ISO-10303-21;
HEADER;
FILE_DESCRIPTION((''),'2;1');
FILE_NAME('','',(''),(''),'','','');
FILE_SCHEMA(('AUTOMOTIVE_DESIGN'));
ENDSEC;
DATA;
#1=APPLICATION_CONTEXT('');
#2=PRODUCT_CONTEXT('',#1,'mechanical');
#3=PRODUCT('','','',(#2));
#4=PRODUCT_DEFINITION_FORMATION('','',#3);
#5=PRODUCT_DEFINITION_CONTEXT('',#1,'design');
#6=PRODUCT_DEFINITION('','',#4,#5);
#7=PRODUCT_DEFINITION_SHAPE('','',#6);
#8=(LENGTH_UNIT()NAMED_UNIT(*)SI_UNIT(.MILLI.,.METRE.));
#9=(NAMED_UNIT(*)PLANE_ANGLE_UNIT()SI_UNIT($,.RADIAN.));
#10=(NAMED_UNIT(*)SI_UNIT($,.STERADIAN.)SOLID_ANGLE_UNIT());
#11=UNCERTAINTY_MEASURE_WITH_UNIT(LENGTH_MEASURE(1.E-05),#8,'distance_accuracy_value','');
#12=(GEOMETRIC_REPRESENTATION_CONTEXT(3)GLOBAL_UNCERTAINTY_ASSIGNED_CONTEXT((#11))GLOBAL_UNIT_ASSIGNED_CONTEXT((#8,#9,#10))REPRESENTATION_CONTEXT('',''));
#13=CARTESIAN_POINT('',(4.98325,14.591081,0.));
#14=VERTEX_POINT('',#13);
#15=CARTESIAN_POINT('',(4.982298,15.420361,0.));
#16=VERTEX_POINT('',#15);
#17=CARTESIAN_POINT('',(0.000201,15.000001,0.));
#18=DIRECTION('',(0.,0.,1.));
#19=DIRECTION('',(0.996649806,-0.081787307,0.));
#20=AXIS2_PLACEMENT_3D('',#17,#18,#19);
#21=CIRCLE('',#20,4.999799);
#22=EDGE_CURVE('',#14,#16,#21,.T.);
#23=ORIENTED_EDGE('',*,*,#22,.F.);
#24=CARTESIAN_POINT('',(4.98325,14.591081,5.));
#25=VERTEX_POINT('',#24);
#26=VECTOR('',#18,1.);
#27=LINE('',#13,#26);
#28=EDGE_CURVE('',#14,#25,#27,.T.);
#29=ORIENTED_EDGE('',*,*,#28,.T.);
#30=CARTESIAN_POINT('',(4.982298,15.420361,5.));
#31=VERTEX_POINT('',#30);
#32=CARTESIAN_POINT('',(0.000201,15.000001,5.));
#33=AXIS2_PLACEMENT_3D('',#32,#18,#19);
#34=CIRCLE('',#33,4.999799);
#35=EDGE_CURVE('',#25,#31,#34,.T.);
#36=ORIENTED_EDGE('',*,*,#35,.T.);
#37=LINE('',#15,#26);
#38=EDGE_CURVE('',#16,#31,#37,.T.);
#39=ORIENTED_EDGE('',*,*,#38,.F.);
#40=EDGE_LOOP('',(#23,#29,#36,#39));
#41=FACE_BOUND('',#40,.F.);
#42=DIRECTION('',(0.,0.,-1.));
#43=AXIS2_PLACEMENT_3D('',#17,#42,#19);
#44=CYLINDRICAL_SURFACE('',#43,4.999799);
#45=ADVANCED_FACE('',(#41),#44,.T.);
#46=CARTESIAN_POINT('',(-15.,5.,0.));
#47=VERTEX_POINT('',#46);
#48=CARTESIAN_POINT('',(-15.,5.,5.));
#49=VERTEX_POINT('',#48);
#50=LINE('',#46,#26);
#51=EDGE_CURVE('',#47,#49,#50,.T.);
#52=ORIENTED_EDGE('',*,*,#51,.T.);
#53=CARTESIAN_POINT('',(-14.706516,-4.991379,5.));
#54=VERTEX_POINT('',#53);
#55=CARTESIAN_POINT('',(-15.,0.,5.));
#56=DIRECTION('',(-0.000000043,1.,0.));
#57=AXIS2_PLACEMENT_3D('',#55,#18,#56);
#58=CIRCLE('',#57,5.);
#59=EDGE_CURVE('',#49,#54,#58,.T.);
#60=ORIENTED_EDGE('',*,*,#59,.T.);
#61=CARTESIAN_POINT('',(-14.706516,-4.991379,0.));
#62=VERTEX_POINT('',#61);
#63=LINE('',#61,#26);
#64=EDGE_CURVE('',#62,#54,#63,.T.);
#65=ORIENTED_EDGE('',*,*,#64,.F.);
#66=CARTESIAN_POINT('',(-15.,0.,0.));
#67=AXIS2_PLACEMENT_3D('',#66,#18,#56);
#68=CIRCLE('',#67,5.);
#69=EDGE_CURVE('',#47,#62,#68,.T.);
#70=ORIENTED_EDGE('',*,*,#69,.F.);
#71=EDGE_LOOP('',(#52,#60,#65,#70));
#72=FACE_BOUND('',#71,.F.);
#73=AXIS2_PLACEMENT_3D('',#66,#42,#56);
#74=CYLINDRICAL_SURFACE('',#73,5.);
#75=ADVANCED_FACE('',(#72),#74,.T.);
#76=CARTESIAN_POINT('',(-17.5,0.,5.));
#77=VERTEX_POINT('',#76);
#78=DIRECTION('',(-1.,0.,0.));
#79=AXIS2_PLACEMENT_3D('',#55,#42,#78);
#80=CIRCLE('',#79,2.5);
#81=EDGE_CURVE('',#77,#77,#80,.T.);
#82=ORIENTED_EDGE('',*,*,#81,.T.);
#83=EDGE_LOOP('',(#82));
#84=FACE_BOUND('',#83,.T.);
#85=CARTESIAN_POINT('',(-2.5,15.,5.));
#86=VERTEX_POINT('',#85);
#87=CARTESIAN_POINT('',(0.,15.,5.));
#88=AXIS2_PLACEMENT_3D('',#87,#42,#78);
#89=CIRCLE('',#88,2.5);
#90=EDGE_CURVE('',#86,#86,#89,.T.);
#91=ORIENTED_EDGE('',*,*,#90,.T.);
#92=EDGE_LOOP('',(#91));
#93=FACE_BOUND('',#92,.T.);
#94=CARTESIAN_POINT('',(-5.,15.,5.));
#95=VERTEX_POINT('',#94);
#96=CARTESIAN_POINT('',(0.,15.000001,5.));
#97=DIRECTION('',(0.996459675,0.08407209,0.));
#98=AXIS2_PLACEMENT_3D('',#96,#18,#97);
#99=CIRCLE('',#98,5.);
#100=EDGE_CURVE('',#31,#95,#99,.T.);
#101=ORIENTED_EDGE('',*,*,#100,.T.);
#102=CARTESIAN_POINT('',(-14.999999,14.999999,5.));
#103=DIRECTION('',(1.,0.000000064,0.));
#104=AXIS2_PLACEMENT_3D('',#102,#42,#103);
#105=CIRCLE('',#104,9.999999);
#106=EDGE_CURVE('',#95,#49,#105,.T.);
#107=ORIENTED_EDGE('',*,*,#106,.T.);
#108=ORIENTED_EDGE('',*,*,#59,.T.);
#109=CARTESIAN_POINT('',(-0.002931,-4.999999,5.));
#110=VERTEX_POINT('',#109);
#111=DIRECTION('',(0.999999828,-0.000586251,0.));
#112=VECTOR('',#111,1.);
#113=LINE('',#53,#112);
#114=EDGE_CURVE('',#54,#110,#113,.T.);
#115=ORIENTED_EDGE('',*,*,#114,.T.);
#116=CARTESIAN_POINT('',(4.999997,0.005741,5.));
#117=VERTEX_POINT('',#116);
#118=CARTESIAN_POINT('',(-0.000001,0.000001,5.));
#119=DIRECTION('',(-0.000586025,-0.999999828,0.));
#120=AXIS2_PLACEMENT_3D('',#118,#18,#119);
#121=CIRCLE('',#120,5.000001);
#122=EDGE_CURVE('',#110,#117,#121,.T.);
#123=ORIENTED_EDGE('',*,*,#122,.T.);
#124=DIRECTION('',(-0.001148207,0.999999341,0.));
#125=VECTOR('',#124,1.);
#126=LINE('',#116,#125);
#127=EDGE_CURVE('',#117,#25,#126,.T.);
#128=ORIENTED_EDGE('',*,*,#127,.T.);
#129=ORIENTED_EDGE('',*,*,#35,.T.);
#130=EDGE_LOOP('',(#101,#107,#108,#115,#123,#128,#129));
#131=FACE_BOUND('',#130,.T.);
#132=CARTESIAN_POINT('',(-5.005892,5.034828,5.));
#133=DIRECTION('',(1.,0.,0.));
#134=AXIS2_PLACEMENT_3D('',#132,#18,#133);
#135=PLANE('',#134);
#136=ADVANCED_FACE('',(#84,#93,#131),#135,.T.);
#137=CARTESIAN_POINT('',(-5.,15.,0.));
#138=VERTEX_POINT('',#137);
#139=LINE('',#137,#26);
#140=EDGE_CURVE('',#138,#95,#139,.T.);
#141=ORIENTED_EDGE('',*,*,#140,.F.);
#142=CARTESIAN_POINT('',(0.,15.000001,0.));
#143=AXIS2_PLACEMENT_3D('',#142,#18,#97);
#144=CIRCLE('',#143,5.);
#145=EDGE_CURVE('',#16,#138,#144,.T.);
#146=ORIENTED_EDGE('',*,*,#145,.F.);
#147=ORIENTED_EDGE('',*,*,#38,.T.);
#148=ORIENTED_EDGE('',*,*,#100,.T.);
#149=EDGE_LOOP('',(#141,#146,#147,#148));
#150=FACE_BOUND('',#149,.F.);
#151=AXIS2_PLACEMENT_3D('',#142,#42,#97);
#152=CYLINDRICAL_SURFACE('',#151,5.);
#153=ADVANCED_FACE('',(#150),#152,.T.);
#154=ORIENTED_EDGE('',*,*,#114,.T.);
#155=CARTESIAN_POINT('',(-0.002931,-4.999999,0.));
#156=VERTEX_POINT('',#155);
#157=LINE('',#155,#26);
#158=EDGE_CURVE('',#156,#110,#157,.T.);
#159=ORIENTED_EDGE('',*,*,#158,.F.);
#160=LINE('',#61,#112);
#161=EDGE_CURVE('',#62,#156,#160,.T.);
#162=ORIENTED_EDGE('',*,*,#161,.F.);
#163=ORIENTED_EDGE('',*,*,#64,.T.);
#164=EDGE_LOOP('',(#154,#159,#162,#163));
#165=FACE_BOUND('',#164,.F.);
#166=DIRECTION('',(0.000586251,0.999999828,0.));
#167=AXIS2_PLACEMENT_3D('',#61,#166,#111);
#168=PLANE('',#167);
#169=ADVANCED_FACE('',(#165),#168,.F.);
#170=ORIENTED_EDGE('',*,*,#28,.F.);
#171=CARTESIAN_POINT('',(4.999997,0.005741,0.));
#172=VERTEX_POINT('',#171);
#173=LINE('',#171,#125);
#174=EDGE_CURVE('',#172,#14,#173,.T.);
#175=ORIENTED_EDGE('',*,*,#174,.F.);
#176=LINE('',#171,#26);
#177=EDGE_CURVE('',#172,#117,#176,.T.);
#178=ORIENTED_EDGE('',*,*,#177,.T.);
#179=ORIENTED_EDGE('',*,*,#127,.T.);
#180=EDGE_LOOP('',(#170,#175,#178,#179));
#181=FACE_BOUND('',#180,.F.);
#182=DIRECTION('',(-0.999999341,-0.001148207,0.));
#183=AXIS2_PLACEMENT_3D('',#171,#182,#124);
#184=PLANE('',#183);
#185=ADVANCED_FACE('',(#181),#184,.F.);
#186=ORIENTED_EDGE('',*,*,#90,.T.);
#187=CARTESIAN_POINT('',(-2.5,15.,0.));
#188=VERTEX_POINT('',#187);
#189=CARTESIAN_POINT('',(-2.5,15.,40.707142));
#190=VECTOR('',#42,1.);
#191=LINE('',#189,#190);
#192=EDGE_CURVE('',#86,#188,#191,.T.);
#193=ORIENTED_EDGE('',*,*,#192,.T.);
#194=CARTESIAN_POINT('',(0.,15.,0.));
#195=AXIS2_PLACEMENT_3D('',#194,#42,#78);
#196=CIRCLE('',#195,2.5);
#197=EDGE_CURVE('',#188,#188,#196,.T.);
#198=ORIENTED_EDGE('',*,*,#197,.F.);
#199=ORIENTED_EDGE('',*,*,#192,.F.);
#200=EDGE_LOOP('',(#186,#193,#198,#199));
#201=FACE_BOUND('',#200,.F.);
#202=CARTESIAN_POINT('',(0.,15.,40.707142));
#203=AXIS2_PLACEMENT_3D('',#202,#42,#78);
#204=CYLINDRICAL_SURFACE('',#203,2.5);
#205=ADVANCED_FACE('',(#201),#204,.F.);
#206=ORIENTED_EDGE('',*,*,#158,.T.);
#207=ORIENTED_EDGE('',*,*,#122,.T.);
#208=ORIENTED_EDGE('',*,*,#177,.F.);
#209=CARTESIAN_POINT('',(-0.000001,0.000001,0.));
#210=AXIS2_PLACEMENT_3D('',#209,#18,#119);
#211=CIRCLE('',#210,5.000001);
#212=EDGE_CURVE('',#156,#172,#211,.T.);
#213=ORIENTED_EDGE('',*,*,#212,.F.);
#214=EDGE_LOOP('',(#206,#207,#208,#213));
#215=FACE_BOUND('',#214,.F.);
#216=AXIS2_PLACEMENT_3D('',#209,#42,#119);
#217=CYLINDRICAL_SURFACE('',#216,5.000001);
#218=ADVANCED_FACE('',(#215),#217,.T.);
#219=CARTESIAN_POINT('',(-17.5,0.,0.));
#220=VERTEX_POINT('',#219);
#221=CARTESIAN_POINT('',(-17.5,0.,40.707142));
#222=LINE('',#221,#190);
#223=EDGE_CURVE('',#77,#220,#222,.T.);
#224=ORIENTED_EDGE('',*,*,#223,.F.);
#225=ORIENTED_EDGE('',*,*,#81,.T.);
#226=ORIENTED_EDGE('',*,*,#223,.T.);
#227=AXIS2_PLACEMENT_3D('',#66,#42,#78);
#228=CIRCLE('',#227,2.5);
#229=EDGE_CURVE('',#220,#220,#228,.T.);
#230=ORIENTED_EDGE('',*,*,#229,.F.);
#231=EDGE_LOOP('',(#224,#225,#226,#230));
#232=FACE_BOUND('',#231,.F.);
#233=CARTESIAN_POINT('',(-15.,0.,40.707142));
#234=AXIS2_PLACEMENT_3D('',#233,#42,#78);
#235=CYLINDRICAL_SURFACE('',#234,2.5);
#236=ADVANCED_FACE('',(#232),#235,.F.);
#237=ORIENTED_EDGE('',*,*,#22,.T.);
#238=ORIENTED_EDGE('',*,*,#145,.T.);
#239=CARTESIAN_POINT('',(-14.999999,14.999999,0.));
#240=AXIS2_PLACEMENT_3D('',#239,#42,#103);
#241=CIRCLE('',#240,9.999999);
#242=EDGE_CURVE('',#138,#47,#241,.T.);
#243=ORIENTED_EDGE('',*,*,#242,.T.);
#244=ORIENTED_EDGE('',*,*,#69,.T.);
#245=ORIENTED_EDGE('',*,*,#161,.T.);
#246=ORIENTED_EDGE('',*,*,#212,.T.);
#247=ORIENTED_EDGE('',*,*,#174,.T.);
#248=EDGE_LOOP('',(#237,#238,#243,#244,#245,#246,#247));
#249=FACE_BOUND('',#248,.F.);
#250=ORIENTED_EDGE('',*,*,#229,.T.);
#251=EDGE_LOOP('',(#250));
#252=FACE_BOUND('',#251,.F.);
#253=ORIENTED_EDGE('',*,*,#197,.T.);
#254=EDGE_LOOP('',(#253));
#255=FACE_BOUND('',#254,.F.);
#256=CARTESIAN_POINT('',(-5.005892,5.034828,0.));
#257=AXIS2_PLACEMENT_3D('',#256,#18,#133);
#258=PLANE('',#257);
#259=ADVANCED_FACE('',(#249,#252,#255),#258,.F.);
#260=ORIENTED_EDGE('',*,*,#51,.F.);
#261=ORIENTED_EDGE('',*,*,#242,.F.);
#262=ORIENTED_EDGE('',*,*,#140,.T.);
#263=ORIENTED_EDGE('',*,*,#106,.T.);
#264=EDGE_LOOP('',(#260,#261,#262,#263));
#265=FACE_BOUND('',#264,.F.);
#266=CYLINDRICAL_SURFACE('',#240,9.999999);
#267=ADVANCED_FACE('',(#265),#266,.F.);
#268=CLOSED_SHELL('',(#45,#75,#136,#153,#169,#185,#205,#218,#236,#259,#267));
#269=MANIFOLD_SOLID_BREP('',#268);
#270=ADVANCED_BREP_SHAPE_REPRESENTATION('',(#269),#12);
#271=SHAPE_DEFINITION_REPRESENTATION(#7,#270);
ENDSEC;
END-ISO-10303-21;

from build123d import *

# Parameters (mm, degrees)
F1_DEPTH = 5
F3_D     = 5


with BuildPart() as f1:
    # F0 (on Top) → F1 (new body)
    with BuildSketch(Plane.XY):
        with BuildLine():
            Line((-14.706516, -4.991379), (-0.002931, -4.999999))
            ThreePointArc((-0.002931, -4.999999), (3.536527, -3.53454), (4.999997, 0.005741))
            Line((4.999997, 0.005741), (4.98325, 14.591081))
            Line((4.98325, 14.591081), (4.982298, 15.420361))
            ThreePointArc((4.982298, 15.420361), (-0.210367, 19.995573), (-5, 15))
            ThreePointArc((-5, 15), (-7.928932, 7.928932), (-15, 5))
            ThreePointArc((-15, 5), (-19.997844, -0.146805), (-14.706516, -4.991379))
        make_face()
        with BuildLine():
            Line((4.982298, 15.420361), (4.98325, 14.591081))
            ThreePointArc((4.98325, 14.591081), (4.999997, 15.005741), (4.982298, 15.420361))
        make_face()
    extrude(amount=F1_DEPTH)

    # F3 (through all)
    with Locations(Plane.XY.offset(5)):
        with Locations((0, 15), (-15, 0)):
            Hole(F3_D / 2)


solid = f1.part
